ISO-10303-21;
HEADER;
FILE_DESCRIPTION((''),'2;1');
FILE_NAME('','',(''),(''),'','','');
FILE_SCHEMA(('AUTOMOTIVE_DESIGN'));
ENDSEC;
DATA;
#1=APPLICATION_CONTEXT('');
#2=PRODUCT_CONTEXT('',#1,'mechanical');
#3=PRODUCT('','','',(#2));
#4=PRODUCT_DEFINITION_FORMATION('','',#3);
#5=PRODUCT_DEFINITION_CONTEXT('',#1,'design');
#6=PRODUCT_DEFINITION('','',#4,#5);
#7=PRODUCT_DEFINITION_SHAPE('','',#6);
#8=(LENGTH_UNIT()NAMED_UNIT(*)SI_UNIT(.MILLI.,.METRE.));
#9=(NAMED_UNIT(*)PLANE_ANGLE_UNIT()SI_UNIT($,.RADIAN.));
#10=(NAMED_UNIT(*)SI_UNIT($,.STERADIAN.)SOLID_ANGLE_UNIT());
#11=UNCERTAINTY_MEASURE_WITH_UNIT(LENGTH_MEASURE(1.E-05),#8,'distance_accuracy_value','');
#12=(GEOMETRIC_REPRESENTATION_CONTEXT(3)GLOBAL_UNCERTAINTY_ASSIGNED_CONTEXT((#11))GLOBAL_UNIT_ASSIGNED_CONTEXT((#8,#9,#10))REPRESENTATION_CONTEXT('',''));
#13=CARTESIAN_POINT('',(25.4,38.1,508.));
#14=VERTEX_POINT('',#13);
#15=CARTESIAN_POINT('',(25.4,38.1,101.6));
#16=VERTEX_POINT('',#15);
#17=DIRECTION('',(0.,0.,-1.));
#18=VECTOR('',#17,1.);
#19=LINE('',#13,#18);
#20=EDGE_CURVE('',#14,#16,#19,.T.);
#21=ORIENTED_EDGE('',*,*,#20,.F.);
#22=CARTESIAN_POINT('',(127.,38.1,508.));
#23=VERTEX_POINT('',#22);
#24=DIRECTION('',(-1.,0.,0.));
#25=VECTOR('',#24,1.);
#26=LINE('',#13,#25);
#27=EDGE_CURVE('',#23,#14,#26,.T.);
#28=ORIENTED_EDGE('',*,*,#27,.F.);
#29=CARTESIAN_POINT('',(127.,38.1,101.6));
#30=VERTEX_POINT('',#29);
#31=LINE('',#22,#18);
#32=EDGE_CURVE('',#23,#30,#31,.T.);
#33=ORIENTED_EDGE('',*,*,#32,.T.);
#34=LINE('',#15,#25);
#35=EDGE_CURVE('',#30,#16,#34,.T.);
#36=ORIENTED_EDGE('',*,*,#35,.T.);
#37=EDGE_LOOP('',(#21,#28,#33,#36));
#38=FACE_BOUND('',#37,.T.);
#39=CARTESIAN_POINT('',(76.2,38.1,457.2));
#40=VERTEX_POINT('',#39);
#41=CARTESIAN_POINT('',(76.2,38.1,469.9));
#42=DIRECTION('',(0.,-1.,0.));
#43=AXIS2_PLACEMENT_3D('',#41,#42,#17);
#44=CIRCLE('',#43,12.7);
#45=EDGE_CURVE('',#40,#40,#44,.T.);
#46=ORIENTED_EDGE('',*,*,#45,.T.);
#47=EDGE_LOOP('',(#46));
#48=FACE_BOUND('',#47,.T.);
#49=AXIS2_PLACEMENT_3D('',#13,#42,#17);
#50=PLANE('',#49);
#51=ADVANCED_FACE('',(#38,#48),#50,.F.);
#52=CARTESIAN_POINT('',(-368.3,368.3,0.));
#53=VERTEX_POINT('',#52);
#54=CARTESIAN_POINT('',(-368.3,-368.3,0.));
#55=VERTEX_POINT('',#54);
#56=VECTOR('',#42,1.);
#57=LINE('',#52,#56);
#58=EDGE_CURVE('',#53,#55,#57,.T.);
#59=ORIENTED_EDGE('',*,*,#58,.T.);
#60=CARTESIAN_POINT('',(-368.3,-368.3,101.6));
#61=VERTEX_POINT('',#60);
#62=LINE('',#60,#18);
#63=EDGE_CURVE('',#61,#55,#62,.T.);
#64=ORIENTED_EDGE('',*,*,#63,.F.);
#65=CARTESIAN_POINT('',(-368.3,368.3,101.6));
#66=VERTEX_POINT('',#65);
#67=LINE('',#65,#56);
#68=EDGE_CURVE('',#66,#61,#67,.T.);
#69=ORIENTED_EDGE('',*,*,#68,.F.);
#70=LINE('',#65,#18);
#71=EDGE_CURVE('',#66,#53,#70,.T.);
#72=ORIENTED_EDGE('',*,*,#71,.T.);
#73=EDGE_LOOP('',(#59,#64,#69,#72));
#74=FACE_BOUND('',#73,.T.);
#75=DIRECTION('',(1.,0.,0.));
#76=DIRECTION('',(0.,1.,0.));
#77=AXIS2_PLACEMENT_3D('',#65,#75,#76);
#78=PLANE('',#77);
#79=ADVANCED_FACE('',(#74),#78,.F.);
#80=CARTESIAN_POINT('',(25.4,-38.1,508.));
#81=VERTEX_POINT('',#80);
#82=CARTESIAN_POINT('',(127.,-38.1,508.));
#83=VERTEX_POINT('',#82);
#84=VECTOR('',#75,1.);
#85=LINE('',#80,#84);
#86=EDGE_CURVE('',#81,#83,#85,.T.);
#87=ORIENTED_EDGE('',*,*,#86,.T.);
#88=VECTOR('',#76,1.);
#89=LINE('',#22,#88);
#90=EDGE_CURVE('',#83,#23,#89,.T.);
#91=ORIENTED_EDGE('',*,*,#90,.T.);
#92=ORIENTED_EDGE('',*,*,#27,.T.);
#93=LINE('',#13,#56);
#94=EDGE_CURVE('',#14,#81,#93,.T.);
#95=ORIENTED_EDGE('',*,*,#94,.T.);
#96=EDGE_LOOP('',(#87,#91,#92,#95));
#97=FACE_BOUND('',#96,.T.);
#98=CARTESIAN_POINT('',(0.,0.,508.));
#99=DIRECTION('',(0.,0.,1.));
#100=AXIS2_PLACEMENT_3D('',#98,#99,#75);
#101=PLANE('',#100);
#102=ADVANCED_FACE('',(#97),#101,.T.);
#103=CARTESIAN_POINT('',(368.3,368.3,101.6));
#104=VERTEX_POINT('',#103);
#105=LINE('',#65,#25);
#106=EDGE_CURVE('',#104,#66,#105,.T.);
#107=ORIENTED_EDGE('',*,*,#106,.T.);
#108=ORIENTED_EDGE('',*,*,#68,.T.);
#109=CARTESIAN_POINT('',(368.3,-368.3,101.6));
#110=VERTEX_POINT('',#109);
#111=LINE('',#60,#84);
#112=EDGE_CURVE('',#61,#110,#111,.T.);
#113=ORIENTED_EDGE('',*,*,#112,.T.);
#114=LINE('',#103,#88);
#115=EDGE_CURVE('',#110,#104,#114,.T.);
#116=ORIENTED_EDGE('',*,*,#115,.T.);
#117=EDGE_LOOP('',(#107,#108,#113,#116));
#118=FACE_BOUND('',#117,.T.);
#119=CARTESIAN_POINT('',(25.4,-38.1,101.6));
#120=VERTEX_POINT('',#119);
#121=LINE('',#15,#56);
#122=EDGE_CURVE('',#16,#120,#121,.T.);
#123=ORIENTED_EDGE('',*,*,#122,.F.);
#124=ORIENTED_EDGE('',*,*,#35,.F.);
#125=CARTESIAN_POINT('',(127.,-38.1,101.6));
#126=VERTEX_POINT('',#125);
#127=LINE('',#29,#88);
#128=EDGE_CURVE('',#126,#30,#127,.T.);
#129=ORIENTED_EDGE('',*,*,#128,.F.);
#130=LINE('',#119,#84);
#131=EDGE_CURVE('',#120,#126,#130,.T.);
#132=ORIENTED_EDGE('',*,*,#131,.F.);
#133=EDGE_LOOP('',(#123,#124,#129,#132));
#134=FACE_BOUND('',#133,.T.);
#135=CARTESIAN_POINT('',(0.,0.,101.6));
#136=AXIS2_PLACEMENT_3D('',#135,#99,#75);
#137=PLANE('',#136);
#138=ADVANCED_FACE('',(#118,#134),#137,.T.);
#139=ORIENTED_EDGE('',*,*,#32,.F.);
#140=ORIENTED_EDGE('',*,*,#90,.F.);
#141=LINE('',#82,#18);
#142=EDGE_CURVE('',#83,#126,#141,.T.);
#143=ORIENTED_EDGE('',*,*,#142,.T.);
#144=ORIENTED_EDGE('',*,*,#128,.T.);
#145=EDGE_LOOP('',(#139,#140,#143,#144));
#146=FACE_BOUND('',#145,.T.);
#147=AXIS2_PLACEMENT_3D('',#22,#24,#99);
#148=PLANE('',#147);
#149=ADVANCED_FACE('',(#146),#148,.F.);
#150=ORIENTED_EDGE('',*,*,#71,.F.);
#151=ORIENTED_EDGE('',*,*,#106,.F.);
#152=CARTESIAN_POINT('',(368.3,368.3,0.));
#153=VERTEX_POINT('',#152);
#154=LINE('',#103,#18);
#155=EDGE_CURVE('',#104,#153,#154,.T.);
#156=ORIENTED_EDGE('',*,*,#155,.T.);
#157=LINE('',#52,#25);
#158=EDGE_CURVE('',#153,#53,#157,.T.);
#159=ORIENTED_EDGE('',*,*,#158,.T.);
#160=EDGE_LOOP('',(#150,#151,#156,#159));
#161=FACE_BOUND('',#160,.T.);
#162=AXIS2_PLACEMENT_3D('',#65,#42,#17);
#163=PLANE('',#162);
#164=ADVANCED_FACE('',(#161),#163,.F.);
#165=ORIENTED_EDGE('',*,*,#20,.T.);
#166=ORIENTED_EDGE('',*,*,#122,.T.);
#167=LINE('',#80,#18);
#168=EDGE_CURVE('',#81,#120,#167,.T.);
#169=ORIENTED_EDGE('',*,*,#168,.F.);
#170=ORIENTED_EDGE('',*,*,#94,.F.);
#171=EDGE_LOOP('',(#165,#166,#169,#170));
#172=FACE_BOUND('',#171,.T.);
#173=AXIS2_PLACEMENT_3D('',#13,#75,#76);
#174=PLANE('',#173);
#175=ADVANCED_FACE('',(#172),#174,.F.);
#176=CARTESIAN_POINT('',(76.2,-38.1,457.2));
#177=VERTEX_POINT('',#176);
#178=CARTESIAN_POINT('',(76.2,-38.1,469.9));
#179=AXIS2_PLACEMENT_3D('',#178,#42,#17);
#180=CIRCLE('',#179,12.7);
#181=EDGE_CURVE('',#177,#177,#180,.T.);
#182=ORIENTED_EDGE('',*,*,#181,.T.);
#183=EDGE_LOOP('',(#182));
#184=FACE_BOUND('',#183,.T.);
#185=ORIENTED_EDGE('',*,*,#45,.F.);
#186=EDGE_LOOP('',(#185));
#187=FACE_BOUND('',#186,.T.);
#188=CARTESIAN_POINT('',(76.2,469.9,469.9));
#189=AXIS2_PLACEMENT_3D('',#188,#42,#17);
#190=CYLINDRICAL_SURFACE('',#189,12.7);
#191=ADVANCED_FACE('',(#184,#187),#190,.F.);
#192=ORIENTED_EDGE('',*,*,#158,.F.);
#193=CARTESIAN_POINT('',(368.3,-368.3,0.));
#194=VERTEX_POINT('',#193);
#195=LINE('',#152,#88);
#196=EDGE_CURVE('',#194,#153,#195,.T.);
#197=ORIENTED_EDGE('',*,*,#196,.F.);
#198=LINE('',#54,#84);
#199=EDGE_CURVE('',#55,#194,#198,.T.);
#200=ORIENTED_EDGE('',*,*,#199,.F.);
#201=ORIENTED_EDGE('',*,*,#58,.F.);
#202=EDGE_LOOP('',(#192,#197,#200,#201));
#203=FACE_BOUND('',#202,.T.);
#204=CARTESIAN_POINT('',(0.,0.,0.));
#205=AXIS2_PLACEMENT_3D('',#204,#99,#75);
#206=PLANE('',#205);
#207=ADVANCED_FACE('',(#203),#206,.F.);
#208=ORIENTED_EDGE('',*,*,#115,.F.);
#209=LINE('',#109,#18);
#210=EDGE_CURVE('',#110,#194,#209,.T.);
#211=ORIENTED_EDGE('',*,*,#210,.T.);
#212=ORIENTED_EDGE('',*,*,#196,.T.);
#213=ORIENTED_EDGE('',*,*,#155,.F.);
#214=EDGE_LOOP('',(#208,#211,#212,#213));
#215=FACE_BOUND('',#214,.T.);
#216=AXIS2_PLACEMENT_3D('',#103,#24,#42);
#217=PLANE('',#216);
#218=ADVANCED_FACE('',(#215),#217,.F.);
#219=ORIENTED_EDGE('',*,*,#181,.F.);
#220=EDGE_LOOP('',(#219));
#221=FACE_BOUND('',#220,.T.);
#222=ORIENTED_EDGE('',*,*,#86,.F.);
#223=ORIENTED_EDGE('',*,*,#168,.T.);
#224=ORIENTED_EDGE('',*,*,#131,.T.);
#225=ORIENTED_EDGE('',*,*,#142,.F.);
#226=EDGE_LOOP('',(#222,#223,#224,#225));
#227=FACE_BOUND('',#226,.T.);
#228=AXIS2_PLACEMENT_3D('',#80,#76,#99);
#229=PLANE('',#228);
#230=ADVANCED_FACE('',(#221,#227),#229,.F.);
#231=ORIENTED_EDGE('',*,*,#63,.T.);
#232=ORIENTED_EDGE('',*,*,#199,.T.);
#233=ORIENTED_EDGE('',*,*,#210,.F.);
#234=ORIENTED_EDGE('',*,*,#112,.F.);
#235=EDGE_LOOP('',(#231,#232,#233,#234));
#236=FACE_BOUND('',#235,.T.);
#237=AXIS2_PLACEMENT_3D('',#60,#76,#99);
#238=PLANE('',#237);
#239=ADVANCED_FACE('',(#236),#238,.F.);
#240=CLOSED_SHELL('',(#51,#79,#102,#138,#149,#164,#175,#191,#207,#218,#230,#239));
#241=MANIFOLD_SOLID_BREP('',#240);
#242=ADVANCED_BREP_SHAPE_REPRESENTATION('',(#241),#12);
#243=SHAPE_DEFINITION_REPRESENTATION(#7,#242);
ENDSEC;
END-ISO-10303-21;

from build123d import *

# Parameters (mm, degrees)
SKETCH1_W           = 736.6
SKETCH1_H           = 736.6
BOSS_EXTRUDE1_DEPTH = 101.6
SKETCH2_W           = 101.6
SKETCH2_H           = 76.2
BOSS_EXTRUDE2_DEPTH = 406.4
SKETCH3_R           = 12.7
CUT_EXTRUDE1_DEPTH  = 508


with BuildPart() as part:
    # Sketch1 → Boss-Extrude1 (new body)
    with BuildSketch(Plane.XY):
        Rectangle(SKETCH1_W, SKETCH1_H)
    extrude(amount=BOSS_EXTRUDE1_DEPTH)

    # Sketch2 → Boss-Extrude2 (add)
    with BuildSketch(Plane.XY.offset(101.6)):
        with Locations((76.2, 0)):
            Rectangle(SKETCH2_W, SKETCH2_H)
    extrude(amount=BOSS_EXTRUDE2_DEPTH)

    # Sketch3 → Cut-Extrude1 (cut)
    with BuildSketch(Plane(origin=(0, -38.1, 0), x_dir=(-1, 0, 0), z_dir=(0, -1, 0))):
        with Locations(Location((-76.2, -469.9, 0), (0, 0, 90))):
            Circle(SKETCH3_R)
    extrude(amount=-CUT_EXTRUDE1_DEPTH, mode=Mode.SUBTRACT)


solid = part.part
